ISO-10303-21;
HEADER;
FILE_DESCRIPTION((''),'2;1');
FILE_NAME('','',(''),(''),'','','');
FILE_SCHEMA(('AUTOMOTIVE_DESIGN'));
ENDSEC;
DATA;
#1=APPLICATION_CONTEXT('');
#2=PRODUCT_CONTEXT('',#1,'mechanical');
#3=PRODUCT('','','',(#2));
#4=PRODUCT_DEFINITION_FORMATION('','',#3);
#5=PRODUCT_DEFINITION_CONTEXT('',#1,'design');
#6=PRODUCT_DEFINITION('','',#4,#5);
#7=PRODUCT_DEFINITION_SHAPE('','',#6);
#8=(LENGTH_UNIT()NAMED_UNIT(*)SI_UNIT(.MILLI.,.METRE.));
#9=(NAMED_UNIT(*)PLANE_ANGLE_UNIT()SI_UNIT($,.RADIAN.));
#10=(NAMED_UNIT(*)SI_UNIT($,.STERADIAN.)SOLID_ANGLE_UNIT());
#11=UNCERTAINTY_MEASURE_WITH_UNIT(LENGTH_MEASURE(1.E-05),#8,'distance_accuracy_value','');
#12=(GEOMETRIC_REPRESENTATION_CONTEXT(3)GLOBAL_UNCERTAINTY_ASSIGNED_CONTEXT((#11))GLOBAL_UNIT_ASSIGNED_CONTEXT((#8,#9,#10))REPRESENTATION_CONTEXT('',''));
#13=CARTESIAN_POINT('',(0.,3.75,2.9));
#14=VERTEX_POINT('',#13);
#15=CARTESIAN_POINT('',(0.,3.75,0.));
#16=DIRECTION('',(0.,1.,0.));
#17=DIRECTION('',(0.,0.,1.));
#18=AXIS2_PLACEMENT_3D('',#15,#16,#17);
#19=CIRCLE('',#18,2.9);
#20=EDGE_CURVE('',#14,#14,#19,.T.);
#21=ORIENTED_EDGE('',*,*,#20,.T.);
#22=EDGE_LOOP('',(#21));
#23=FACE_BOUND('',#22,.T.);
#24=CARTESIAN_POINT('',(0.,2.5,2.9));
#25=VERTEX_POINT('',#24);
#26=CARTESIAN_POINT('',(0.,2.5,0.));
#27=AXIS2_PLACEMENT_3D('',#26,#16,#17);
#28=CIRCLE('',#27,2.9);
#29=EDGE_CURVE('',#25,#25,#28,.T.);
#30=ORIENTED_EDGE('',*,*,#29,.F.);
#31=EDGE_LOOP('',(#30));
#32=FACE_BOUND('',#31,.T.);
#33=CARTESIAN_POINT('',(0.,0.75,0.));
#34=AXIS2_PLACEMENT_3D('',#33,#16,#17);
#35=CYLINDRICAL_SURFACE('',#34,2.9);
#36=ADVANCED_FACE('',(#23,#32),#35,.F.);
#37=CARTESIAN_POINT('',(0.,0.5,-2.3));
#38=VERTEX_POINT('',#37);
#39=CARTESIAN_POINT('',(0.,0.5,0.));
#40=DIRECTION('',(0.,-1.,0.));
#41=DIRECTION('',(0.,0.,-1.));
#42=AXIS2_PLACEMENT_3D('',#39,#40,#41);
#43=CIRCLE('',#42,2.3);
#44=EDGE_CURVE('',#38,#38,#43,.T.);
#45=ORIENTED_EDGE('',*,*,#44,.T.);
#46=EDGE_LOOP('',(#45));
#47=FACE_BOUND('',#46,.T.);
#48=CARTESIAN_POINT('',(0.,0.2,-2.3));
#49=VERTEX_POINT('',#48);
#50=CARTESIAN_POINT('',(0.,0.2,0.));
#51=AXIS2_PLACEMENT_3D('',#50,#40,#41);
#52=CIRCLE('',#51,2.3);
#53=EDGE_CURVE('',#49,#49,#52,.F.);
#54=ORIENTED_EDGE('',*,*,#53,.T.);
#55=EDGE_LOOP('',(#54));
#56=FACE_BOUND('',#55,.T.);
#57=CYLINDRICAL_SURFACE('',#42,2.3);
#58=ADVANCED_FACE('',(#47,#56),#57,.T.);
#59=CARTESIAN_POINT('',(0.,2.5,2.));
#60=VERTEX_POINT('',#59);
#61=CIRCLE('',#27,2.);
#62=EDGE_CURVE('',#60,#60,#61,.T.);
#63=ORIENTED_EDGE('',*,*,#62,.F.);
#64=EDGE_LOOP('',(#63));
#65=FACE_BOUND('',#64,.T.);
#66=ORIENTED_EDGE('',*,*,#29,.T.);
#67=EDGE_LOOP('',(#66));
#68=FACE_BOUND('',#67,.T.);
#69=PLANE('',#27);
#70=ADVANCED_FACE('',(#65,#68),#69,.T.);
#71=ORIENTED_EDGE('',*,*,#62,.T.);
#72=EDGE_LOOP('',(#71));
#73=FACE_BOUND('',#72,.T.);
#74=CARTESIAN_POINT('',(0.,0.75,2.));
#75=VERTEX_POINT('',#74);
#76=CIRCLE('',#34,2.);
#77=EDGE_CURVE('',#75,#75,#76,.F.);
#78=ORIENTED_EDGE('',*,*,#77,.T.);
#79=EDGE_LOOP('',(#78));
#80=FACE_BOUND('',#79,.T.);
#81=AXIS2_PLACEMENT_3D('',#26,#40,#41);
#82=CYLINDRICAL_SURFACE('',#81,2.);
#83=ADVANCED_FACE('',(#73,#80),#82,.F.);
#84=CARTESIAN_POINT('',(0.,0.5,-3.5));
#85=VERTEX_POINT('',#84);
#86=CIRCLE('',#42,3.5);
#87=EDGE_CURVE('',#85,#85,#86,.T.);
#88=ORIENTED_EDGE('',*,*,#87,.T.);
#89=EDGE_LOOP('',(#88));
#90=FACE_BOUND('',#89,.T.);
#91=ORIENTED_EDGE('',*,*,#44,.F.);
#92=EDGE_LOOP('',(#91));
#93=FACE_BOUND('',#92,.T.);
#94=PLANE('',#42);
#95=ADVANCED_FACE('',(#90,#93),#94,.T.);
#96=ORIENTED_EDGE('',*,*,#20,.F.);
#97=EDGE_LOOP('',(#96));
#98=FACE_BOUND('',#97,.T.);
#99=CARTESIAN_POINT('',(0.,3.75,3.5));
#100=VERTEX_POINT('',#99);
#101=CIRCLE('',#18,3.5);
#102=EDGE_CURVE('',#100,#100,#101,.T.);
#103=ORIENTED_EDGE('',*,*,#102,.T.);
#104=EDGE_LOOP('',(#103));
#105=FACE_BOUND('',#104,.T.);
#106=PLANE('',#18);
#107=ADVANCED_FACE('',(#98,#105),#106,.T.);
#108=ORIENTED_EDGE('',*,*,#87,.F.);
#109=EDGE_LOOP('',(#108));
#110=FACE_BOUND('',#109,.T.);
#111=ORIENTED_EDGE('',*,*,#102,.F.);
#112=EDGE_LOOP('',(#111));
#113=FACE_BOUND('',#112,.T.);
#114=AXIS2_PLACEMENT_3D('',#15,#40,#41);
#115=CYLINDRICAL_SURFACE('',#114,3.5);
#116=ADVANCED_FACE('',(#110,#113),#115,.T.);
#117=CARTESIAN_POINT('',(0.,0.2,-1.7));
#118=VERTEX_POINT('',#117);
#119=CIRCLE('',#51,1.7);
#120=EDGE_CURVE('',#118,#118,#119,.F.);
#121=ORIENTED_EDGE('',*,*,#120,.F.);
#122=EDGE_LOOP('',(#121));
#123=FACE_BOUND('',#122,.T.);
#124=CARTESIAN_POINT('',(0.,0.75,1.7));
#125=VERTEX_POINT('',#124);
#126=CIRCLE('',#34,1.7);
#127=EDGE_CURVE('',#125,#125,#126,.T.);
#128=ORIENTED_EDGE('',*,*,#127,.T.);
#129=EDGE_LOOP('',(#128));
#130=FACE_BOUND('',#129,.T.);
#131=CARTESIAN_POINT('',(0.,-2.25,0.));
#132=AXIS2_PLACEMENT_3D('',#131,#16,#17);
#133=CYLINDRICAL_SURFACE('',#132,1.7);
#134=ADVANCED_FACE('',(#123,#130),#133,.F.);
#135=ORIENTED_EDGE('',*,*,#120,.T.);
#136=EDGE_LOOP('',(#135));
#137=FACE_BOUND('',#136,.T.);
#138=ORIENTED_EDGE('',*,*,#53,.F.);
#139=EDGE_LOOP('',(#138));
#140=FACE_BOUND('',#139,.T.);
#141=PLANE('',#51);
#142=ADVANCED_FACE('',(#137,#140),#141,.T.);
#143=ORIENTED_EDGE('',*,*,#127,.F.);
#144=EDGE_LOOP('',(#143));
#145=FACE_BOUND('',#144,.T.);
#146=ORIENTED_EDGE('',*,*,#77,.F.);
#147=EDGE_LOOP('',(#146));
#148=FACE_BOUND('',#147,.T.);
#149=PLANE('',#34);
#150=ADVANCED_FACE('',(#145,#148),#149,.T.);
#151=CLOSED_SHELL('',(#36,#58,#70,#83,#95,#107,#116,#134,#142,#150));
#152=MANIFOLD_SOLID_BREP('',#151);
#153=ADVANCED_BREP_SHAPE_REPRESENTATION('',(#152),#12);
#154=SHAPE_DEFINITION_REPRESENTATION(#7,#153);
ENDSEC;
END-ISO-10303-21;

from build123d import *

# Parameters (mm, degrees)
ESQUISSE3_R               = 3.5
SHAPE_DEPTH               = 3.75
ESQUISSE4_R               = 2.9
CUT_EXTRUDE_5_4D_DEPTH    = 3
ESQUISSE5_R               = 1.7
CUT_EXTRUDE_3D_DEPTH      = 3
ESQUISSE6_R               = 3.5
ESQUISSE6_R_2             = 2.3
ENL_V_MAT_EXTRU_2_DEPTH   = 0.5
BOSS_EXTRU_1_START        = 1.75
ESQUISSE9_R               = 2.9
ESQUISSE9_R_2             = 2
BOSS_EXTRU_1_DEPTH        = 1.75
ESQUISSE10_R              = 2.619168903
ERRORPRINTERREMOVER_DEPTH = 0.2


with BuildPart() as part:
    # Esquisse3 → Shape (new body)
    with BuildSketch(Plane(origin=(0, 0, 0), x_dir=(1, 0, 0), z_dir=(0, 1, 0))):
        with Locations(Location((0, 0, 0), (0, 0, 270))):
            Circle(ESQUISSE3_R)
    extrude(amount=SHAPE_DEPTH)

    # Esquisse4 → 5_4D (cut)
    with BuildSketch(Plane(origin=(0, 3.75, 0), x_dir=(1, 0, 0), z_dir=(0, 1, 0))):
        with Locations(Location((0, 0, 0), (0, 0, 270))):
            Circle(ESQUISSE4_R)
    extrude(amount=-CUT_EXTRUDE_5_4D_DEPTH, mode=Mode.SUBTRACT)

    # Esquisse5 → 3D (cut)
    with BuildSketch(Plane(origin=(0, 0.75, 0), x_dir=(1, 0, 0), z_dir=(0, 1, 0))):
        with Locations(Location((0, 0, 0), (0, 0, 270))):
            Circle(ESQUISSE5_R)
    extrude(amount=-CUT_EXTRUDE_3D_DEPTH, mode=Mode.SUBTRACT)

    # Esquisse6 → Enlèv. mat.-Extru.2 (cut)
    with BuildSketch(Plane.XZ):
        with Locations(Location((0, 0, 0), (0, 0, 270))):
            Circle(ESQUISSE6_R)
        with Locations(Location((0, 0, 0), (0, 0, 270))):
            Circle(ESQUISSE6_R_2, mode=Mode.SUBTRACT)
    extrude(amount=-ENL_V_MAT_EXTRU_2_DEPTH, mode=Mode.SUBTRACT)

    # Esquisse9 → Boss.-Extru.1 (add)
    with BuildSketch(Plane(origin=(0, 0.75, 0), x_dir=(1, 0, 0), z_dir=(0, 1, 0)).offset(BOSS_EXTRU_1_START)):
        with Locations(Location((0, 0, 0), (0, 0, 270))):
            Circle(ESQUISSE9_R)
        with Locations(Location((0, 0, 0), (0, 0, 270))):
            Circle(ESQUISSE9_R_2, mode=Mode.SUBTRACT)
    extrude(amount=-BOSS_EXTRU_1_DEPTH)

    # Esquisse10 → ErrorPrinterRemover (cut)
    with BuildSketch(Plane.XZ):
        Circle(ESQUISSE10_R)
    extrude(amount=-ERRORPRINTERREMOVER_DEPTH, mode=Mode.SUBTRACT)


solid = part.part
